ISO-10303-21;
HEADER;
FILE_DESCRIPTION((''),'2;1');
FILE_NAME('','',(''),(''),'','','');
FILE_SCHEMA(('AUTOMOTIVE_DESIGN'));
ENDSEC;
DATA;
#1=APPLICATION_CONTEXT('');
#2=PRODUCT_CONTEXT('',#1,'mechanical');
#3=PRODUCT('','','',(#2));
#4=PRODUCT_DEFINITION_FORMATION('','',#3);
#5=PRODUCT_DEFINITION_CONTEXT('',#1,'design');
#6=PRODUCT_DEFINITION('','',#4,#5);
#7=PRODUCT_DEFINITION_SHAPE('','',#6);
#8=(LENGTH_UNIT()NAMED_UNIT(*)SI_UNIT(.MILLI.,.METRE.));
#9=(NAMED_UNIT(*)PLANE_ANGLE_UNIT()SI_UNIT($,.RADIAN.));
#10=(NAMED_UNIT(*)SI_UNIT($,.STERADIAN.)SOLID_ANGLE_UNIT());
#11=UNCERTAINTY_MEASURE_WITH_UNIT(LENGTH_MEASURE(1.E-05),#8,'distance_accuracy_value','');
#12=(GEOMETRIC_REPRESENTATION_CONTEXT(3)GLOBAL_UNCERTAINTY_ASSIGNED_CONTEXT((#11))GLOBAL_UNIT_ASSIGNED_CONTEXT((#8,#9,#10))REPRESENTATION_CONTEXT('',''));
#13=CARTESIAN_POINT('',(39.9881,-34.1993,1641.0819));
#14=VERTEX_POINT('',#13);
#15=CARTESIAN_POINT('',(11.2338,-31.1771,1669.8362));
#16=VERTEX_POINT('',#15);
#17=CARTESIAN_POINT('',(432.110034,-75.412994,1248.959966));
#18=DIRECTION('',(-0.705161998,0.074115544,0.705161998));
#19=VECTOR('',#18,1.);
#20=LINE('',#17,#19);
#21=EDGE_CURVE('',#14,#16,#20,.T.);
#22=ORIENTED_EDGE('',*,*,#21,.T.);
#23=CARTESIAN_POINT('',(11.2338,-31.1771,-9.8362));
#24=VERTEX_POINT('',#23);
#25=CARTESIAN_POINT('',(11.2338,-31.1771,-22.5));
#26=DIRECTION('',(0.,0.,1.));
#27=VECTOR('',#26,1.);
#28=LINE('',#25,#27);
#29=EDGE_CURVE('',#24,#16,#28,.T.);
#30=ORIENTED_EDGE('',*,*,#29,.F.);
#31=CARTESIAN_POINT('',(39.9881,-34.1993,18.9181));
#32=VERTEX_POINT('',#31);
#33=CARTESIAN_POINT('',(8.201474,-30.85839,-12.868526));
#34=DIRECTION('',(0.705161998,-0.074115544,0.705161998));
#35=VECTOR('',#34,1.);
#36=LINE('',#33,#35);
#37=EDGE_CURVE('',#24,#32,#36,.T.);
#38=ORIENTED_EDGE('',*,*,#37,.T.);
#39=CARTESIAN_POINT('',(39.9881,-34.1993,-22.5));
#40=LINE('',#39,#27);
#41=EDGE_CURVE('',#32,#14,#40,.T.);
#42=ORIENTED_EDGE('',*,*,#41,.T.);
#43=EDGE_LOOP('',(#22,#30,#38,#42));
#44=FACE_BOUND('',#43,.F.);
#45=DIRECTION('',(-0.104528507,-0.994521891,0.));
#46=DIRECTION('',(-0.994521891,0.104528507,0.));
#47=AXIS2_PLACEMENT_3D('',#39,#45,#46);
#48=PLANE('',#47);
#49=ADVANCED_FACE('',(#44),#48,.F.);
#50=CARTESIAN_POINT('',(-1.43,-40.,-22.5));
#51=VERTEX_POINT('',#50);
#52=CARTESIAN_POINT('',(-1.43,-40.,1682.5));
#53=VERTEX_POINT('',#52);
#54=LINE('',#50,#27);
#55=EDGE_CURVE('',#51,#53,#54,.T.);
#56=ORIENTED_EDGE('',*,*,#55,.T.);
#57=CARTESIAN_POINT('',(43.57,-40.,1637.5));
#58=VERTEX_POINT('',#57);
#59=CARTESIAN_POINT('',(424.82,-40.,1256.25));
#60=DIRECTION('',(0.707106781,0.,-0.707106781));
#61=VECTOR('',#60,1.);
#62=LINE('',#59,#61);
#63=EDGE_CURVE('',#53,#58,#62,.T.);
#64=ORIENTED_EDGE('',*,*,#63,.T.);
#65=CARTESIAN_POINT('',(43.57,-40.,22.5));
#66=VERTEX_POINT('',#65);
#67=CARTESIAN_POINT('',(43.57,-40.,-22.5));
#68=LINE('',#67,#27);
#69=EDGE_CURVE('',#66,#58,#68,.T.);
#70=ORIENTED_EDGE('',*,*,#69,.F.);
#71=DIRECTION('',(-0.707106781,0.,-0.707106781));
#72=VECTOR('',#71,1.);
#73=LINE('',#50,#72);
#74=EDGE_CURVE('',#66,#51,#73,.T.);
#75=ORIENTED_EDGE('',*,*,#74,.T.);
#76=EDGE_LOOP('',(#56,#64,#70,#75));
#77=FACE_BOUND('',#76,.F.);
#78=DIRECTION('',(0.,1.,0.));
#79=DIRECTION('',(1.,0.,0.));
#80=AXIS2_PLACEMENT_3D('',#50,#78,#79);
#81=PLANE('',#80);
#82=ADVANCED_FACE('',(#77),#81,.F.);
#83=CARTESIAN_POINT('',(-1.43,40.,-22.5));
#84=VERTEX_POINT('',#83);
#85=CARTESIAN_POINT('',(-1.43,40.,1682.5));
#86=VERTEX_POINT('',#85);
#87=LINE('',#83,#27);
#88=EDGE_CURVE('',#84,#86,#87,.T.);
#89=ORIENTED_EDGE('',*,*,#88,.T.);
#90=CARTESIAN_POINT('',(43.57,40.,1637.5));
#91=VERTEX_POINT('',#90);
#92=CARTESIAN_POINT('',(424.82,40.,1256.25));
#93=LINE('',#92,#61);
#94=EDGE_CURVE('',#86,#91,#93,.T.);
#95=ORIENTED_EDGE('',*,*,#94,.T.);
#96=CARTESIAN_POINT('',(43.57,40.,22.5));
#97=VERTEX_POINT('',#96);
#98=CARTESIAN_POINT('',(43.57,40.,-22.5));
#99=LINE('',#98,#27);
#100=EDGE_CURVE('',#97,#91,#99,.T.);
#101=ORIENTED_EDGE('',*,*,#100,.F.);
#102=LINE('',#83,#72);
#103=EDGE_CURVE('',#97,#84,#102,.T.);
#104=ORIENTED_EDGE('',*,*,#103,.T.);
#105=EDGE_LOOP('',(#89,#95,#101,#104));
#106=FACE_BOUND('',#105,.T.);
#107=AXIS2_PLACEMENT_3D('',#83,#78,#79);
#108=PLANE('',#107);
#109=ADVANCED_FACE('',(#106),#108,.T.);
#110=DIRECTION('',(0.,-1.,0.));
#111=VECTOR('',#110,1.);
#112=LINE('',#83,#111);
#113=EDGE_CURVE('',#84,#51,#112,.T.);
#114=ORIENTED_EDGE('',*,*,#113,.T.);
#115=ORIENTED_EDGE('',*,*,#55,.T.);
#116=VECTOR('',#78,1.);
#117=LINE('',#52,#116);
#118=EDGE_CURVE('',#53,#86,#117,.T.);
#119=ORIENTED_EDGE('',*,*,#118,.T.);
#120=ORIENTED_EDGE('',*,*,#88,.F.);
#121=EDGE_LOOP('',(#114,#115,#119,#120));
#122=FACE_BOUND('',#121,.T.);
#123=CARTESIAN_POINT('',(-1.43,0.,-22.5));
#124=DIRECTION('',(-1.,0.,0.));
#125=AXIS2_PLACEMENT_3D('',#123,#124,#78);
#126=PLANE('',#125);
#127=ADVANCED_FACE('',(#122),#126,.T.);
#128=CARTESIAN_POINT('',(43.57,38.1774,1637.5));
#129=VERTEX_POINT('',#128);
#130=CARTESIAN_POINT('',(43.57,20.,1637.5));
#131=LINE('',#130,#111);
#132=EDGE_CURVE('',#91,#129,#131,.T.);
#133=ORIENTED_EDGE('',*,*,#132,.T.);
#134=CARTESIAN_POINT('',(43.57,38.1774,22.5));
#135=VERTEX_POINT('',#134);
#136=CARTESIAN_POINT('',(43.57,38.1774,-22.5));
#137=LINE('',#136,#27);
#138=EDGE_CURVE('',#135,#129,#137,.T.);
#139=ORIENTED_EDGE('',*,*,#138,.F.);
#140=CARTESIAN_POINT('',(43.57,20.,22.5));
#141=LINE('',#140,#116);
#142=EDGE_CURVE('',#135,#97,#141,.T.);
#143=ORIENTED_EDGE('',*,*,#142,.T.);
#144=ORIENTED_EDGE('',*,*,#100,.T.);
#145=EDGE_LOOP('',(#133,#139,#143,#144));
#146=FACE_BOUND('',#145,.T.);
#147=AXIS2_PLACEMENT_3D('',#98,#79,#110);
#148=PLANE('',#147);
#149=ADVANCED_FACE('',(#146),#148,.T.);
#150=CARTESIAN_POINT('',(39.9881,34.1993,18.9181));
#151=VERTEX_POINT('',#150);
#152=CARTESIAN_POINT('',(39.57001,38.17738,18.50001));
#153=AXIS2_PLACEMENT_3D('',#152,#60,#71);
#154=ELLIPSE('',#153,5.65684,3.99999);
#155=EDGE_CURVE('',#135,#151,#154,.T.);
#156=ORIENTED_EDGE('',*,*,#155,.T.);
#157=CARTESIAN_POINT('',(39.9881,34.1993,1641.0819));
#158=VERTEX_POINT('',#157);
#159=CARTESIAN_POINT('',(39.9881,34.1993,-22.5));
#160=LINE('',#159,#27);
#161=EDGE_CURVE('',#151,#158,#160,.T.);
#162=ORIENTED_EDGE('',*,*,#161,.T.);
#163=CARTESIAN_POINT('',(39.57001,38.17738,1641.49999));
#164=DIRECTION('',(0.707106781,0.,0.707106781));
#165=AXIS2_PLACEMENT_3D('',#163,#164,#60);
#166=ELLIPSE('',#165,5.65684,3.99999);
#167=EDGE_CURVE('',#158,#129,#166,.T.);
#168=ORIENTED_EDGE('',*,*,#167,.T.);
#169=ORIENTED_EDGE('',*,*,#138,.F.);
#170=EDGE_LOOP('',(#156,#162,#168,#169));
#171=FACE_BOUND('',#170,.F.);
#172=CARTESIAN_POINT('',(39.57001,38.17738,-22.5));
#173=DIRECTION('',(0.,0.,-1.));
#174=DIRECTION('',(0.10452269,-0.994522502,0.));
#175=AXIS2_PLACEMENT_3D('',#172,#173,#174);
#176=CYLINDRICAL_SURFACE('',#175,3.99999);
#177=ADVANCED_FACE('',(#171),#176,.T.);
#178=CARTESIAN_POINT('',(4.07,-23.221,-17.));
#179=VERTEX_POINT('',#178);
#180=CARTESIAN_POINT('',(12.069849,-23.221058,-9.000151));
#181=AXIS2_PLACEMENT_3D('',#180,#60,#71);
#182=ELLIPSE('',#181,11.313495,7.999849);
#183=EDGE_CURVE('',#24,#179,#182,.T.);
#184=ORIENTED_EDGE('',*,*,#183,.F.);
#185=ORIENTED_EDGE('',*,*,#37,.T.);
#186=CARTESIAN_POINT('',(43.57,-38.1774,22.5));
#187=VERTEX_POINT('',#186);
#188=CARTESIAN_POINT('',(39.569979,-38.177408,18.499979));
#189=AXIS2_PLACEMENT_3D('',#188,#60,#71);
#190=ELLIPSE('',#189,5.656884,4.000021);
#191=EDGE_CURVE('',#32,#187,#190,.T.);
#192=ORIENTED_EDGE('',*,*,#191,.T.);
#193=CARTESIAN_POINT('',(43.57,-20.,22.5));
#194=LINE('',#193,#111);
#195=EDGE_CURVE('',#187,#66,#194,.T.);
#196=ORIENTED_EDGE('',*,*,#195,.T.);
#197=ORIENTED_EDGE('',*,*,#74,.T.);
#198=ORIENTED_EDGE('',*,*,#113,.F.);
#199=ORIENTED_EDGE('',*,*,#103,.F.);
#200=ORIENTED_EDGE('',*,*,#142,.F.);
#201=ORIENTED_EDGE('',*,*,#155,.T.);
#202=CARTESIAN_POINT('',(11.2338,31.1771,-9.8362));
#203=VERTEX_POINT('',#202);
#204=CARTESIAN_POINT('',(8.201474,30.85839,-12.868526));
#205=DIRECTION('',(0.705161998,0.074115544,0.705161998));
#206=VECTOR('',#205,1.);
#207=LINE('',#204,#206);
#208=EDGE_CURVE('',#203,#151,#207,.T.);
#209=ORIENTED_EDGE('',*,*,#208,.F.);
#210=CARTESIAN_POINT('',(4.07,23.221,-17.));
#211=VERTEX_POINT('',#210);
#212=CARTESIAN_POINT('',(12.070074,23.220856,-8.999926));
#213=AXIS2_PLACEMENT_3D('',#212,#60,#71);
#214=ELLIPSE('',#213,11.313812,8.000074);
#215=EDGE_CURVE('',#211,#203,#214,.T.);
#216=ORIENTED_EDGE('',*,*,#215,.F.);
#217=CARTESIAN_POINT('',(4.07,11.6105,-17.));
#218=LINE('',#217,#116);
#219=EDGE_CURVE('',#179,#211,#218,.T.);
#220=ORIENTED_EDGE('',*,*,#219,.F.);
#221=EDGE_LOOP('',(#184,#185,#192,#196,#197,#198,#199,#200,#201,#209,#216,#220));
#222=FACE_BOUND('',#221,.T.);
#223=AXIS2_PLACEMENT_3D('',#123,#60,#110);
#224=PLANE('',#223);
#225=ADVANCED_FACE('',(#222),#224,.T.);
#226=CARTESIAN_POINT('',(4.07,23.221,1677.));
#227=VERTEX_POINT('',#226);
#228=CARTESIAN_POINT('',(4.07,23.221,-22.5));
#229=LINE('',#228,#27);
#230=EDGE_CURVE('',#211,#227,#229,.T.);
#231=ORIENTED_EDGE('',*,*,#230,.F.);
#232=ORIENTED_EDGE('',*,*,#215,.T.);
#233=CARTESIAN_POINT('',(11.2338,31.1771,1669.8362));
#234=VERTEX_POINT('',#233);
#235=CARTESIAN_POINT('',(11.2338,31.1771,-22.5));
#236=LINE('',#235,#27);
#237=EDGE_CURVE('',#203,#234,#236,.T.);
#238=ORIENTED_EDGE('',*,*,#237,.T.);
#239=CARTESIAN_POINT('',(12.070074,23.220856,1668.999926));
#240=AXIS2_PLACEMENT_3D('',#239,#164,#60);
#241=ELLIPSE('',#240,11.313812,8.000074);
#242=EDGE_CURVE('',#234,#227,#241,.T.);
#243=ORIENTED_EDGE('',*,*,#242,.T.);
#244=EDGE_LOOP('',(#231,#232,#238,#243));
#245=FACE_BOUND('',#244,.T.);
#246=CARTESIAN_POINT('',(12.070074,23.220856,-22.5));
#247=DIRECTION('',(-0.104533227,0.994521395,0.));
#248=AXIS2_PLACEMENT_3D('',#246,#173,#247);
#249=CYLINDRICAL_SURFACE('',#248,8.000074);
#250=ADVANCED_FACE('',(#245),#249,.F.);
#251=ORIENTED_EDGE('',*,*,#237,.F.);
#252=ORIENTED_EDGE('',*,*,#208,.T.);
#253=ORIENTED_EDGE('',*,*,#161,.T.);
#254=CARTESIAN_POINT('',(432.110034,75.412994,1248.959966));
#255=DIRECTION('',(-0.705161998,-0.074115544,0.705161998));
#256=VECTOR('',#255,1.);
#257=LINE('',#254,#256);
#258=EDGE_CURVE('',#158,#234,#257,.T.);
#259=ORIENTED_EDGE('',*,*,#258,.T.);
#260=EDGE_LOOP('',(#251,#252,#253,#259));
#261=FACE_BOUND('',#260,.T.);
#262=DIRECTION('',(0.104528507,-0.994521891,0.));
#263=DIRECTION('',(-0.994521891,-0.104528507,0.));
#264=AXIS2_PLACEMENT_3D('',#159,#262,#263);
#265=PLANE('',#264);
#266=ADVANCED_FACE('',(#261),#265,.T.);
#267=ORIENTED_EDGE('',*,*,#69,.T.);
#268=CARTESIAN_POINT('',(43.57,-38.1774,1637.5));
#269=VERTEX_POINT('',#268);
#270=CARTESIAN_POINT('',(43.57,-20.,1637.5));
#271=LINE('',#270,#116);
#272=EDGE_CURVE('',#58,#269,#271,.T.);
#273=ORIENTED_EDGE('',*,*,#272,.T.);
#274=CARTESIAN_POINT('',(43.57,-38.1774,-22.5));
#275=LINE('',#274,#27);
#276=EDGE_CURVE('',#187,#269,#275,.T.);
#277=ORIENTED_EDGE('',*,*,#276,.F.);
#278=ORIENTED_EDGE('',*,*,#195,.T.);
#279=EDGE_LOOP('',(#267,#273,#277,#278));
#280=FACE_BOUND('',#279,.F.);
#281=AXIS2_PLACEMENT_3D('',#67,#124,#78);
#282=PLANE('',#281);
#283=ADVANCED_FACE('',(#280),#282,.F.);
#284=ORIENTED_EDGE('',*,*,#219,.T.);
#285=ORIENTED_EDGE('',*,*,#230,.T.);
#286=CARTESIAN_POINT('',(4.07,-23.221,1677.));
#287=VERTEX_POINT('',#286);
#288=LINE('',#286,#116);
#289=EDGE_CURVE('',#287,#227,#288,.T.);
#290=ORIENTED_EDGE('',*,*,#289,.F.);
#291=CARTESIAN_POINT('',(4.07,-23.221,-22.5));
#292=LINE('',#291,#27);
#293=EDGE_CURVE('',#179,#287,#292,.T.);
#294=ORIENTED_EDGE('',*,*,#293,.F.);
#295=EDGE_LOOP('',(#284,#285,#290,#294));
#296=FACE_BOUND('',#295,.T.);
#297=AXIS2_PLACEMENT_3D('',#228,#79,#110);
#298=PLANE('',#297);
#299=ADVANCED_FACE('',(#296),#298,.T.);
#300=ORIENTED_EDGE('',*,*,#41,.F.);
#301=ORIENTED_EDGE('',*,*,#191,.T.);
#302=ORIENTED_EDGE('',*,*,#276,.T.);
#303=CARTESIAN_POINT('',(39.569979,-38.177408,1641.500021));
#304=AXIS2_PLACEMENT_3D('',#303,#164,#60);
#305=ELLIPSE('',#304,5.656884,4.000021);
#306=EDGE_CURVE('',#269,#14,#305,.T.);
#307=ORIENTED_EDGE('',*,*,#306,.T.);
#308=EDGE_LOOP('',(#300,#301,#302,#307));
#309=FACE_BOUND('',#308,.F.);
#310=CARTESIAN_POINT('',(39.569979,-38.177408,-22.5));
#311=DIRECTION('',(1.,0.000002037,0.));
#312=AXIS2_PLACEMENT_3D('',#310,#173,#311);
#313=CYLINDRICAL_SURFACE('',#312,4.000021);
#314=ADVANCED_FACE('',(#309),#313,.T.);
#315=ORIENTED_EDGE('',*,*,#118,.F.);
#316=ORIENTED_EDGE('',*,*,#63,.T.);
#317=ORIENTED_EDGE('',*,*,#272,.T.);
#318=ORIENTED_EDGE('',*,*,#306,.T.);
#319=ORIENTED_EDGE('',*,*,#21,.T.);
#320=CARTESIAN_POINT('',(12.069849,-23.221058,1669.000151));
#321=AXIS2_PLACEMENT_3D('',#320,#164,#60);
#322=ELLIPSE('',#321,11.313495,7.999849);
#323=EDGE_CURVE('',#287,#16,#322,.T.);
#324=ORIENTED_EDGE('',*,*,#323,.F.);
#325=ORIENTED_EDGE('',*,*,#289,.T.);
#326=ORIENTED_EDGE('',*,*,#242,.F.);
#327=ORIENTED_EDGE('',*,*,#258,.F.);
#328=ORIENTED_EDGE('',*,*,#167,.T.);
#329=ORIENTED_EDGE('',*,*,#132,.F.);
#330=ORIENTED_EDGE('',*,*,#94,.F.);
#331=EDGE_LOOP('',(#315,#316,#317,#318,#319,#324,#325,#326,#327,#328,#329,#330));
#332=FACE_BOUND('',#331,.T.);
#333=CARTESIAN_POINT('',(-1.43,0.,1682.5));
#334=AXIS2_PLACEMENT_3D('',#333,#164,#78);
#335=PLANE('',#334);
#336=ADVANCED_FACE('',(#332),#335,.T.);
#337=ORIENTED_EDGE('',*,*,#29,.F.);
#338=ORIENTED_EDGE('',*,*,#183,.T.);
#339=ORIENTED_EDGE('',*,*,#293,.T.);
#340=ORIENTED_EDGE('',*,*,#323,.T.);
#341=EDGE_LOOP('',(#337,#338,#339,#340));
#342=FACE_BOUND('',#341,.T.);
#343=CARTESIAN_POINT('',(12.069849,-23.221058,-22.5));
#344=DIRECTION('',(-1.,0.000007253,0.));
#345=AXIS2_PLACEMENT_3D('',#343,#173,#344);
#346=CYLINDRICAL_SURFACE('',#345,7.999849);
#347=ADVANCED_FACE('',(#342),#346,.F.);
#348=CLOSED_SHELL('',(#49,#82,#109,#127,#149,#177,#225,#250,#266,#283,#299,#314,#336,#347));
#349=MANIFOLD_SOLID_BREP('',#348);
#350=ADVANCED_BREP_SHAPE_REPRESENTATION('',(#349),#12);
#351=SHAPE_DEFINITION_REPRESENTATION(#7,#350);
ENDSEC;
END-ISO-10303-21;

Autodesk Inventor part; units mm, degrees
ref_plane "Начальная плоскость" through (0, 0, -22.5) normal (0, 0, 1) x (1, 0, 0)
ref_plane "Конечная плоскость" through (0, 0, 1682.5) normal (0, 0, 1) x (1, 0, 0)
sketch "Эскиз" plane through (0, 0, 0) normal (0, 0, 1) x (1, 0, 0)
  line L0 (-1.43, 0) -> (-1.43, 40)
  line L1 (-1.43, 40) -> (43.57, 40)
  line L2 (43.57, 40) -> (43.57, 38.1774)
  line L3 (39.9881, 34.1993) -> (11.2338, 31.1771)
  line L4 (4.07, 23.221) -> (4.07, 0)
  line L5 (4.07, 0) -> (-1.43, 0) construction
  line L6 (23.82, 40) -> (23.82, 32.5) construction
  line L7 (43.57, 34.5758) -> (43.57, 32.5) construction
  line L8 (43.57, 32.5) -> (23.82, 32.5) construction
  line L9 (0, 15) -> (0, -27) construction
  line L10 (-5.539, 0) -> (16.0067, 0) construction
  line L11 (-1.43, 0) -> (-1.43, -40)
  line L12 (-1.43, -40) -> (43.57, -40)
  line L13 (43.57, -40) -> (43.57, -38.1774)
  line L14 (39.9881, -34.1993) -> (11.2338, -31.1771)
  line L15 (4.07, -23.221) -> (4.07, 0)
  arc A0 (11.2338, 31.1771) -> (4.07, 23.221) centre (12.07, 23.221) ccw
  arc A1 (4.07, -23.221) -> (11.2338, -31.1771) centre (12.07, -23.221) ccw
  arc A2 (39.9881, 34.1993) -> (43.57, 38.1774) centre (39.57, 38.1774) ccw
  arc A3 (43.57, -38.1774) -> (39.9881, -34.1993) centre (39.57, -38.1774) ccw
  line L16 (0, 56) -> (0, -56) construction
  line L17 (-15.5135, 0) -> (54.308, 0) construction
  point P0 (4.07, 30.4242)
  point P1 (43.57, -34.5758)
  point P2 (4.07, -30.4242)
  point P3 (23.82, -40)
  point P4 (23.82, -32.5)
  dimension "d0" = 5.5
  dimension "d1" = 40
  dimension "d2" = 45
  dimension "d3" = 7.5
  dimension "d4" = 19.75
  dimension "d5" = 2.0758
  dimension "d23" = 8
  dimension "d24" = 4
  dimension "d25" = 1.43
extrude "Тело" add sketch "Эскиз" along normal up to surface (1705 mm away) from surface at -22.5
sketch "Sketch3" plane through (0, 0, 0) normal (0, 0, 1) x (1, 0, 0)
  line L0 (0, 0) -> (10, 0)
ref_plane "Work Plane3" through (0, 0, 0) normal (0, -1, 0) x (1, 0, 0)
sketch "Sketch4" plane through (0, 0, 0) normal (0, -1, 0) x (1, 0, 0)
  line L0 (-2, -22.5) -> (12, -22.5)
  line L1 (-2, 1682.5) -> (12, 1682.5)
  dimension "d29" = 1705
ref_plane "РабПлоскость4" through (-1.43, 0, 1682.5) normal (0.7071, 0, 0.7071) x (0.7071, 0, -0.7071)
split "Разделение1" plane through (-1.43, 0, 1682.5) removes the side toward (0.7071, 0, 0.7071)
ref_plane "РабПлоскость5" through (-1.43, 0, -22.5) normal (0.7071, 0, -0.7071) x (-0.7071, 0, -0.7071)
split "Разделение2" plane through (-1.43, 0, -22.5) removes the side toward (0.7071, 0, -0.7071)
equation "\"d0\" = G_T"
equation "\"d1\" = 0.5 * G_H"
equation "\"d2\" = G_W"
equation "\"d3\" = G_T1"
equation "\"d4\" = G_C"
equation "\"d23\" = G_IR"
equation "\"d24\" = G_ER"
equation "\"d25\" = ex"
equation "\"d6\" = G_L"
equation "\"G_W\" = 45"
equation "\"G_T\" = 5.5"
equation "\"G_T1\" = 7.5"
equation "\"G_NG\" = 0.105104"
equation "\"G_ER\" = 4"
equation "\"G_IR\" = 8"
equation "\"G_C\" = 19.75"
equation "\"G_L\" = d29"
equation "\"ex\" = 1.43"
equation "\"G_OFFSET_START\" = 22.5"
equation "\"G_OFFSET_END\" = 22.5"
equation "\"d26\" = -G_OFFSET_START"
equation "\"d27\" = G_OFFSET_END + B_L"
equation "\"G_H\" = 80"
equation "\"B_L\" = 1660"
properties part number "ISO 657/11 - CH 80 x 8 - 1705" material "Сталь, мягкая"
